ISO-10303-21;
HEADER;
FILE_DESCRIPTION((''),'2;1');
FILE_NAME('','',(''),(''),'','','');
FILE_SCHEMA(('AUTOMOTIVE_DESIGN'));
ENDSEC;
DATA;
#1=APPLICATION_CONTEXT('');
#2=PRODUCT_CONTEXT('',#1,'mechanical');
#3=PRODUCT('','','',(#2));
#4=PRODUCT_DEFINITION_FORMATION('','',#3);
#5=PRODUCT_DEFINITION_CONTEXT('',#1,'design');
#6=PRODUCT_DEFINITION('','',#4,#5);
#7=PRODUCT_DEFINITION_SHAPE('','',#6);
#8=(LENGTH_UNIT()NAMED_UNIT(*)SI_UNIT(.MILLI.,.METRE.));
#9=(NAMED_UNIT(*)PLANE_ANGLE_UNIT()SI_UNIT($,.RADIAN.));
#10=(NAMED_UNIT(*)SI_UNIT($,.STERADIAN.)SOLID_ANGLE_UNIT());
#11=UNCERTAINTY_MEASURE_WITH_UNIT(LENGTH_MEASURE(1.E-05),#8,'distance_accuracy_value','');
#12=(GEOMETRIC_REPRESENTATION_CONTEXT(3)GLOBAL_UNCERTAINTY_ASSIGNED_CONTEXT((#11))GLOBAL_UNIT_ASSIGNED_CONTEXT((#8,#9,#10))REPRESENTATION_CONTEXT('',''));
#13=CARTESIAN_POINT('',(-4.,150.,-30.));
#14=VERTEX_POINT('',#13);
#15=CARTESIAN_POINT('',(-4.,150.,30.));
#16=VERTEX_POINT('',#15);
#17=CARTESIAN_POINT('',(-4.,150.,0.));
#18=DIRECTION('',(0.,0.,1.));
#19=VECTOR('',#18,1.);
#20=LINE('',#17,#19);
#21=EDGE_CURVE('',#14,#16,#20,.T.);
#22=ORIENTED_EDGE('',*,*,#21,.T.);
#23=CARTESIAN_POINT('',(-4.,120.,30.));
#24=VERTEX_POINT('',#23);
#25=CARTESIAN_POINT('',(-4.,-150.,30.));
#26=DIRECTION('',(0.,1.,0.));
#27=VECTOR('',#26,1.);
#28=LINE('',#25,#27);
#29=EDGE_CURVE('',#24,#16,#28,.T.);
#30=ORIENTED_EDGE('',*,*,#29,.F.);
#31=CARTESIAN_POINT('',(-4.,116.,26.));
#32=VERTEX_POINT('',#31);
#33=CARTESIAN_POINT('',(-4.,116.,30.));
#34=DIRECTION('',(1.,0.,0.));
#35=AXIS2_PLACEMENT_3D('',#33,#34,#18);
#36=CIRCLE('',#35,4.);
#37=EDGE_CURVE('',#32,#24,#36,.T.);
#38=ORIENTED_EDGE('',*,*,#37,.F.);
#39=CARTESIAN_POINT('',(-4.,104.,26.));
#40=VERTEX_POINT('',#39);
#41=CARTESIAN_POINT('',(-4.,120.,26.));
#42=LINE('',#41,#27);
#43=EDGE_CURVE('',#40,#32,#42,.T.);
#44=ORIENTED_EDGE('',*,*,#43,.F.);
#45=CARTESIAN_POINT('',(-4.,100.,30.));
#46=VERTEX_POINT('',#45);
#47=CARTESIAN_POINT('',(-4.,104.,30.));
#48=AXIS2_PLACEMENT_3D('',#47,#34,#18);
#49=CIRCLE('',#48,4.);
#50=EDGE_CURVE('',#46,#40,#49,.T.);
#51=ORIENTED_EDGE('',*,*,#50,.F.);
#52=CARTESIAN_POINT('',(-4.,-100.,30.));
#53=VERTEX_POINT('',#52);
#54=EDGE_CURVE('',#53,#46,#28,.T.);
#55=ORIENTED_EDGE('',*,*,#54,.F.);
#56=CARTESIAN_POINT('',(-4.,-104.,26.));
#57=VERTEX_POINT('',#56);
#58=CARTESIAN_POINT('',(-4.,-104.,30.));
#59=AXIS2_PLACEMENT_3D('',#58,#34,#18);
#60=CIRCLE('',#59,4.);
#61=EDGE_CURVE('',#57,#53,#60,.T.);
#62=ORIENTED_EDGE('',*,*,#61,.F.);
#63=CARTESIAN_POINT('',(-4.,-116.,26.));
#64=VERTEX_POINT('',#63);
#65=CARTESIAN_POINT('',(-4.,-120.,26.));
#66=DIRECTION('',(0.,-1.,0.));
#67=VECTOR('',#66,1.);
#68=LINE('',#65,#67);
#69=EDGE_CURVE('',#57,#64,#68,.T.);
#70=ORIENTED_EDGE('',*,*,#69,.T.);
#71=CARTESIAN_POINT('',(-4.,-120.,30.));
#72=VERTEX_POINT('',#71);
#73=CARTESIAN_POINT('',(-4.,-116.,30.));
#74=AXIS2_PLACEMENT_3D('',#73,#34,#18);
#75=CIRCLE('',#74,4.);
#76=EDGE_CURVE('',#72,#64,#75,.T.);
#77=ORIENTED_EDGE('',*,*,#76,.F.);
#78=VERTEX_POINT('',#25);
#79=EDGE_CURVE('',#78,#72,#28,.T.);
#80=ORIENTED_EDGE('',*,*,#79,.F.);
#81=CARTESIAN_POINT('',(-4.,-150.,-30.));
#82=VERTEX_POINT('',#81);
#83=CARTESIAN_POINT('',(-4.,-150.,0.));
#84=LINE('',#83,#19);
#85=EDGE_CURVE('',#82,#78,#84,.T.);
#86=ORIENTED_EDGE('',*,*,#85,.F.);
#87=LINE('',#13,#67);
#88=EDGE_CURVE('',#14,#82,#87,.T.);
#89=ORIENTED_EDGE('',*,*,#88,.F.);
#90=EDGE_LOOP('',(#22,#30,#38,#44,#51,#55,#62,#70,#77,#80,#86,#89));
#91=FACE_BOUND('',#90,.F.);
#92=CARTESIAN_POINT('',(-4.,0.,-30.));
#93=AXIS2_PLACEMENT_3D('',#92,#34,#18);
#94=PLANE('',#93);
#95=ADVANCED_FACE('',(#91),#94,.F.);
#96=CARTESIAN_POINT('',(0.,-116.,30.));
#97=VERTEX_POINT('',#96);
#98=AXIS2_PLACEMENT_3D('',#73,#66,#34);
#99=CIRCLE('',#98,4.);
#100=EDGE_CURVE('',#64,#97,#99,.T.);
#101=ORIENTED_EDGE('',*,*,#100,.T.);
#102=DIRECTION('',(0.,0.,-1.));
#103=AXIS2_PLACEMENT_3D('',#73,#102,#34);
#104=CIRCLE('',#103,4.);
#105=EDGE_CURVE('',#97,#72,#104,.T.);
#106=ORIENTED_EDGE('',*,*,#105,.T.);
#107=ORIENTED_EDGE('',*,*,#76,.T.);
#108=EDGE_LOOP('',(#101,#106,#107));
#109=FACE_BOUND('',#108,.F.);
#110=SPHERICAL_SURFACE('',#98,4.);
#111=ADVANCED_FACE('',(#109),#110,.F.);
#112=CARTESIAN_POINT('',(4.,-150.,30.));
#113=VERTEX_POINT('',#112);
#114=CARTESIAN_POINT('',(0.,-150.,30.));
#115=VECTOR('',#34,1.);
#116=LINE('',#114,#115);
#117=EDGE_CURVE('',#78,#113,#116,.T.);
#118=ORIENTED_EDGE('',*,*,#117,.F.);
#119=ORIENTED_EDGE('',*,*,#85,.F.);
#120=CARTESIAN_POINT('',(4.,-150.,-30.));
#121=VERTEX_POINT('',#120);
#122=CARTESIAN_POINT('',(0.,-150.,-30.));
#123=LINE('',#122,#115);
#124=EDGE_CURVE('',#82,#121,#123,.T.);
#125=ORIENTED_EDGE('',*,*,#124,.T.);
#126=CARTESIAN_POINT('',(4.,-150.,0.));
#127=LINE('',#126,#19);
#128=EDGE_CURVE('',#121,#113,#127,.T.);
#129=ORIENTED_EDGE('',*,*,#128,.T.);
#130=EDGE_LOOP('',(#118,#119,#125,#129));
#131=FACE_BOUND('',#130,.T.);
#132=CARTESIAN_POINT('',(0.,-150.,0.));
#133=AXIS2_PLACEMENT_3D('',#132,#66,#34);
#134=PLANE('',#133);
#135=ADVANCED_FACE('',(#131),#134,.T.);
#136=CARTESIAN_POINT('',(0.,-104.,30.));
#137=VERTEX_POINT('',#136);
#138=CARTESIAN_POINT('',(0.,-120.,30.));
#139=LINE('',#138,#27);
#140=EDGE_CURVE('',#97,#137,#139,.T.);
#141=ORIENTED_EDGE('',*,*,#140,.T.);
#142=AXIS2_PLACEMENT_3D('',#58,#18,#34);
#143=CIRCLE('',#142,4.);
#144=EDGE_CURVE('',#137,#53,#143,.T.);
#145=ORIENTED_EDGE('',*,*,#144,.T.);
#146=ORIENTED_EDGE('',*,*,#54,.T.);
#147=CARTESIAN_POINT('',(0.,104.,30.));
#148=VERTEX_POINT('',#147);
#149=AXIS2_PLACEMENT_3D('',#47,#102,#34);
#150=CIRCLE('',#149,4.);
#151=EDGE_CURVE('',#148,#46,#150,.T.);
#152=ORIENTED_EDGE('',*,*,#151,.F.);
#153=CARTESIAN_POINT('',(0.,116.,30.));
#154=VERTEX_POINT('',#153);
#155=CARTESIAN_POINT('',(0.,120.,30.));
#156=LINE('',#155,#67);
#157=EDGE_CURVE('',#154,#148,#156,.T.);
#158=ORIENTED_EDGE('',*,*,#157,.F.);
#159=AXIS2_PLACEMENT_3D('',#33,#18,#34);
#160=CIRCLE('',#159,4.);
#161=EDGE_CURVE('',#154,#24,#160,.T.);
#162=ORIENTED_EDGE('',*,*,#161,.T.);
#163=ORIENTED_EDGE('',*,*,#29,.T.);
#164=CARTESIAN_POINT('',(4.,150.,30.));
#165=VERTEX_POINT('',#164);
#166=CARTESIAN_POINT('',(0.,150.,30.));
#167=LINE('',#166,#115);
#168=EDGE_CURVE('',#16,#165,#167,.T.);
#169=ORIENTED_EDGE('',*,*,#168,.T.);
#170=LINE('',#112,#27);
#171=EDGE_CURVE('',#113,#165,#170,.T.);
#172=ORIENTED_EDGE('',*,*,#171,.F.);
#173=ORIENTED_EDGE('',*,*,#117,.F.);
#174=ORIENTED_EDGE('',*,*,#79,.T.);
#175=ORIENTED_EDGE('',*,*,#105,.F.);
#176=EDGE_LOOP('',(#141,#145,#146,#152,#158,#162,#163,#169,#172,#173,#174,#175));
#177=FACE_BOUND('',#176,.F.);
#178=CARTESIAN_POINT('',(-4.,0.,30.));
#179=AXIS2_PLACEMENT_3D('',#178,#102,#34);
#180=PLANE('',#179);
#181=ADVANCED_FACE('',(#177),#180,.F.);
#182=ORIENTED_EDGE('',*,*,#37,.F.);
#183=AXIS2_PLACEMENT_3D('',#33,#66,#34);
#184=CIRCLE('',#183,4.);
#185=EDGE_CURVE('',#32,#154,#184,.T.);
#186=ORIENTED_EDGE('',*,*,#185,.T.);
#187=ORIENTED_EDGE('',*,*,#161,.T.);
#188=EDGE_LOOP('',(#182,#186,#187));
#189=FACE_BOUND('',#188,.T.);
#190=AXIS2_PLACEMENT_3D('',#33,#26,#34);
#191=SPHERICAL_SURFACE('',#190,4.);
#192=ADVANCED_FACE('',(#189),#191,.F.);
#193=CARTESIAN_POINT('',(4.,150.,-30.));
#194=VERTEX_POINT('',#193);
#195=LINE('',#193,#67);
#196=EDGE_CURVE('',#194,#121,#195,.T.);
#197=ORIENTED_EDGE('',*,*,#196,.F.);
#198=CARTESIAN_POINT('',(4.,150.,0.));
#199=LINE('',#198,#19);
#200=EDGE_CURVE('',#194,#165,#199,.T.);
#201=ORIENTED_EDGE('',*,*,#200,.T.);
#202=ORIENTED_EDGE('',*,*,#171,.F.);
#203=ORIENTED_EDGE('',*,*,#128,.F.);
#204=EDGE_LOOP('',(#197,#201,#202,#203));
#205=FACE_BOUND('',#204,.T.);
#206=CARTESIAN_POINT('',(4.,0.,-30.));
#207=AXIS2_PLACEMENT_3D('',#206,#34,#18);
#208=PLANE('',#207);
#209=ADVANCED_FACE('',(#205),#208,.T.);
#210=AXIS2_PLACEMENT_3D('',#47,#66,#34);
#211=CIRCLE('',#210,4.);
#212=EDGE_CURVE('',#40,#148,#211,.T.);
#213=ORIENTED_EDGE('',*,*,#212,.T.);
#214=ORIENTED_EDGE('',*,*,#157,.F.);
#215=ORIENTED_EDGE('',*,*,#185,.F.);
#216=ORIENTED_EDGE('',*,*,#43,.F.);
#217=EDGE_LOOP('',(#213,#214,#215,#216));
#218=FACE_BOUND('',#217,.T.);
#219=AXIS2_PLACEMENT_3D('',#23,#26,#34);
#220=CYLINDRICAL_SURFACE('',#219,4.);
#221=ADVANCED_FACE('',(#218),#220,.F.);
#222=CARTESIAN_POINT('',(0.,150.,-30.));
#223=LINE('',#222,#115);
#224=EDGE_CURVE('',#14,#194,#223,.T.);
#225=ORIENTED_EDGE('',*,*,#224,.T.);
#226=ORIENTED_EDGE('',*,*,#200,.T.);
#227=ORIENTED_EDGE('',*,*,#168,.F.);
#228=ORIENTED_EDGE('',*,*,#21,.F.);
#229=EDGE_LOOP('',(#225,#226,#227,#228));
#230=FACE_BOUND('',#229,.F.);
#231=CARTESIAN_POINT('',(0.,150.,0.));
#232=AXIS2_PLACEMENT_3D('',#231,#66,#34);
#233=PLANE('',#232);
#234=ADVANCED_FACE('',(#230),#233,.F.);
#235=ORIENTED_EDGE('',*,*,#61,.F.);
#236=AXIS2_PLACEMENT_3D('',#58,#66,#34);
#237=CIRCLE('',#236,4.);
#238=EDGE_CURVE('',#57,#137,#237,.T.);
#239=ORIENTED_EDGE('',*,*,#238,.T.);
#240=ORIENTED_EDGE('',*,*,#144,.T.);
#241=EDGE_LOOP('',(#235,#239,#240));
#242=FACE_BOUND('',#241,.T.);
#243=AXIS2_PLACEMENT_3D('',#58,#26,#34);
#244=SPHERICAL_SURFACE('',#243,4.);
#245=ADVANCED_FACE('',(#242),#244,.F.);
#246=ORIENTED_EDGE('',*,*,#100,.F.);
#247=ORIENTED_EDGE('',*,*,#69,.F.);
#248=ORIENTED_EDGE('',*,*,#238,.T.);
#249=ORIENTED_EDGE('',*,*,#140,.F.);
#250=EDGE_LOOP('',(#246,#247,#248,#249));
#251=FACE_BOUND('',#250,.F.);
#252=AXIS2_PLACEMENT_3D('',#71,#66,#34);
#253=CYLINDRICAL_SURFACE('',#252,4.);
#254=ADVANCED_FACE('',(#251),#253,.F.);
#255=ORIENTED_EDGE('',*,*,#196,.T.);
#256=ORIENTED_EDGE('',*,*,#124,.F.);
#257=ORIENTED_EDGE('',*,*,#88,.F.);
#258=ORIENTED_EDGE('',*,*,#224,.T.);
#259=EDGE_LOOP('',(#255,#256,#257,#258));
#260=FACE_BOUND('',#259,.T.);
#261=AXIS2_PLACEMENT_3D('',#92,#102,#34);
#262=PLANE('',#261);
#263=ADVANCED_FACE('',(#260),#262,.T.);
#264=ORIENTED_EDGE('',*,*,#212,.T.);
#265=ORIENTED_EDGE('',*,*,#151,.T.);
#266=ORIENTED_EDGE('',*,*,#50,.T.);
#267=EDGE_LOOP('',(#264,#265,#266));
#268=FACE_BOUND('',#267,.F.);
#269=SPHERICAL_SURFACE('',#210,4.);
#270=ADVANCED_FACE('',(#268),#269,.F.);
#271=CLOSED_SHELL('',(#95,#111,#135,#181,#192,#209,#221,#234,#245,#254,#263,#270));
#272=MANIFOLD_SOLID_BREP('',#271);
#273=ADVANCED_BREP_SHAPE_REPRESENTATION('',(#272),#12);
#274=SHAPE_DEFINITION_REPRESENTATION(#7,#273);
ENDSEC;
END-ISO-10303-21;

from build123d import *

# Parameters (mm, degrees)
F0_W     = 8
F0_H     = 60
F1_DEPTH = 150
F3_R     = 4
F4_DEPTH = 20
F5_R     = 4


with BuildPart() as f1:
    # F0 (on Front) → F1 (new body, symmetric)
    with BuildSketch(Plane.XZ):
        Rectangle(F0_W, F0_H)
    extrude(amount=F1_DEPTH, both=True)


with BuildPart() as f4:
    # F3 (on offset) → F4 (new body)
    with BuildSketch(Plane.XZ.offset(120)):
        with Locations((-4, 30)):
            Circle(F3_R)
    extrude(amount=-F4_DEPTH)

    # F5
    f5_edges = [f4.edges().sort_by_distance(p)[0] for p in [
        (-8, -120, 30),
        (-8, -100, 30),
    ]]
    fillet(f5_edges, radius=F5_R)


with BuildPart() as f6_1:
    # F6: instance of F4
    add(f4.part.mirror(Plane.XZ))


with BuildPart() as f1_1:
    add(f1.part)

    # F7: cut F6_1, F4
    add(f6_1.part, mode=Mode.SUBTRACT)
    add(f4.part, mode=Mode.SUBTRACT)


solid = f1_1.part
